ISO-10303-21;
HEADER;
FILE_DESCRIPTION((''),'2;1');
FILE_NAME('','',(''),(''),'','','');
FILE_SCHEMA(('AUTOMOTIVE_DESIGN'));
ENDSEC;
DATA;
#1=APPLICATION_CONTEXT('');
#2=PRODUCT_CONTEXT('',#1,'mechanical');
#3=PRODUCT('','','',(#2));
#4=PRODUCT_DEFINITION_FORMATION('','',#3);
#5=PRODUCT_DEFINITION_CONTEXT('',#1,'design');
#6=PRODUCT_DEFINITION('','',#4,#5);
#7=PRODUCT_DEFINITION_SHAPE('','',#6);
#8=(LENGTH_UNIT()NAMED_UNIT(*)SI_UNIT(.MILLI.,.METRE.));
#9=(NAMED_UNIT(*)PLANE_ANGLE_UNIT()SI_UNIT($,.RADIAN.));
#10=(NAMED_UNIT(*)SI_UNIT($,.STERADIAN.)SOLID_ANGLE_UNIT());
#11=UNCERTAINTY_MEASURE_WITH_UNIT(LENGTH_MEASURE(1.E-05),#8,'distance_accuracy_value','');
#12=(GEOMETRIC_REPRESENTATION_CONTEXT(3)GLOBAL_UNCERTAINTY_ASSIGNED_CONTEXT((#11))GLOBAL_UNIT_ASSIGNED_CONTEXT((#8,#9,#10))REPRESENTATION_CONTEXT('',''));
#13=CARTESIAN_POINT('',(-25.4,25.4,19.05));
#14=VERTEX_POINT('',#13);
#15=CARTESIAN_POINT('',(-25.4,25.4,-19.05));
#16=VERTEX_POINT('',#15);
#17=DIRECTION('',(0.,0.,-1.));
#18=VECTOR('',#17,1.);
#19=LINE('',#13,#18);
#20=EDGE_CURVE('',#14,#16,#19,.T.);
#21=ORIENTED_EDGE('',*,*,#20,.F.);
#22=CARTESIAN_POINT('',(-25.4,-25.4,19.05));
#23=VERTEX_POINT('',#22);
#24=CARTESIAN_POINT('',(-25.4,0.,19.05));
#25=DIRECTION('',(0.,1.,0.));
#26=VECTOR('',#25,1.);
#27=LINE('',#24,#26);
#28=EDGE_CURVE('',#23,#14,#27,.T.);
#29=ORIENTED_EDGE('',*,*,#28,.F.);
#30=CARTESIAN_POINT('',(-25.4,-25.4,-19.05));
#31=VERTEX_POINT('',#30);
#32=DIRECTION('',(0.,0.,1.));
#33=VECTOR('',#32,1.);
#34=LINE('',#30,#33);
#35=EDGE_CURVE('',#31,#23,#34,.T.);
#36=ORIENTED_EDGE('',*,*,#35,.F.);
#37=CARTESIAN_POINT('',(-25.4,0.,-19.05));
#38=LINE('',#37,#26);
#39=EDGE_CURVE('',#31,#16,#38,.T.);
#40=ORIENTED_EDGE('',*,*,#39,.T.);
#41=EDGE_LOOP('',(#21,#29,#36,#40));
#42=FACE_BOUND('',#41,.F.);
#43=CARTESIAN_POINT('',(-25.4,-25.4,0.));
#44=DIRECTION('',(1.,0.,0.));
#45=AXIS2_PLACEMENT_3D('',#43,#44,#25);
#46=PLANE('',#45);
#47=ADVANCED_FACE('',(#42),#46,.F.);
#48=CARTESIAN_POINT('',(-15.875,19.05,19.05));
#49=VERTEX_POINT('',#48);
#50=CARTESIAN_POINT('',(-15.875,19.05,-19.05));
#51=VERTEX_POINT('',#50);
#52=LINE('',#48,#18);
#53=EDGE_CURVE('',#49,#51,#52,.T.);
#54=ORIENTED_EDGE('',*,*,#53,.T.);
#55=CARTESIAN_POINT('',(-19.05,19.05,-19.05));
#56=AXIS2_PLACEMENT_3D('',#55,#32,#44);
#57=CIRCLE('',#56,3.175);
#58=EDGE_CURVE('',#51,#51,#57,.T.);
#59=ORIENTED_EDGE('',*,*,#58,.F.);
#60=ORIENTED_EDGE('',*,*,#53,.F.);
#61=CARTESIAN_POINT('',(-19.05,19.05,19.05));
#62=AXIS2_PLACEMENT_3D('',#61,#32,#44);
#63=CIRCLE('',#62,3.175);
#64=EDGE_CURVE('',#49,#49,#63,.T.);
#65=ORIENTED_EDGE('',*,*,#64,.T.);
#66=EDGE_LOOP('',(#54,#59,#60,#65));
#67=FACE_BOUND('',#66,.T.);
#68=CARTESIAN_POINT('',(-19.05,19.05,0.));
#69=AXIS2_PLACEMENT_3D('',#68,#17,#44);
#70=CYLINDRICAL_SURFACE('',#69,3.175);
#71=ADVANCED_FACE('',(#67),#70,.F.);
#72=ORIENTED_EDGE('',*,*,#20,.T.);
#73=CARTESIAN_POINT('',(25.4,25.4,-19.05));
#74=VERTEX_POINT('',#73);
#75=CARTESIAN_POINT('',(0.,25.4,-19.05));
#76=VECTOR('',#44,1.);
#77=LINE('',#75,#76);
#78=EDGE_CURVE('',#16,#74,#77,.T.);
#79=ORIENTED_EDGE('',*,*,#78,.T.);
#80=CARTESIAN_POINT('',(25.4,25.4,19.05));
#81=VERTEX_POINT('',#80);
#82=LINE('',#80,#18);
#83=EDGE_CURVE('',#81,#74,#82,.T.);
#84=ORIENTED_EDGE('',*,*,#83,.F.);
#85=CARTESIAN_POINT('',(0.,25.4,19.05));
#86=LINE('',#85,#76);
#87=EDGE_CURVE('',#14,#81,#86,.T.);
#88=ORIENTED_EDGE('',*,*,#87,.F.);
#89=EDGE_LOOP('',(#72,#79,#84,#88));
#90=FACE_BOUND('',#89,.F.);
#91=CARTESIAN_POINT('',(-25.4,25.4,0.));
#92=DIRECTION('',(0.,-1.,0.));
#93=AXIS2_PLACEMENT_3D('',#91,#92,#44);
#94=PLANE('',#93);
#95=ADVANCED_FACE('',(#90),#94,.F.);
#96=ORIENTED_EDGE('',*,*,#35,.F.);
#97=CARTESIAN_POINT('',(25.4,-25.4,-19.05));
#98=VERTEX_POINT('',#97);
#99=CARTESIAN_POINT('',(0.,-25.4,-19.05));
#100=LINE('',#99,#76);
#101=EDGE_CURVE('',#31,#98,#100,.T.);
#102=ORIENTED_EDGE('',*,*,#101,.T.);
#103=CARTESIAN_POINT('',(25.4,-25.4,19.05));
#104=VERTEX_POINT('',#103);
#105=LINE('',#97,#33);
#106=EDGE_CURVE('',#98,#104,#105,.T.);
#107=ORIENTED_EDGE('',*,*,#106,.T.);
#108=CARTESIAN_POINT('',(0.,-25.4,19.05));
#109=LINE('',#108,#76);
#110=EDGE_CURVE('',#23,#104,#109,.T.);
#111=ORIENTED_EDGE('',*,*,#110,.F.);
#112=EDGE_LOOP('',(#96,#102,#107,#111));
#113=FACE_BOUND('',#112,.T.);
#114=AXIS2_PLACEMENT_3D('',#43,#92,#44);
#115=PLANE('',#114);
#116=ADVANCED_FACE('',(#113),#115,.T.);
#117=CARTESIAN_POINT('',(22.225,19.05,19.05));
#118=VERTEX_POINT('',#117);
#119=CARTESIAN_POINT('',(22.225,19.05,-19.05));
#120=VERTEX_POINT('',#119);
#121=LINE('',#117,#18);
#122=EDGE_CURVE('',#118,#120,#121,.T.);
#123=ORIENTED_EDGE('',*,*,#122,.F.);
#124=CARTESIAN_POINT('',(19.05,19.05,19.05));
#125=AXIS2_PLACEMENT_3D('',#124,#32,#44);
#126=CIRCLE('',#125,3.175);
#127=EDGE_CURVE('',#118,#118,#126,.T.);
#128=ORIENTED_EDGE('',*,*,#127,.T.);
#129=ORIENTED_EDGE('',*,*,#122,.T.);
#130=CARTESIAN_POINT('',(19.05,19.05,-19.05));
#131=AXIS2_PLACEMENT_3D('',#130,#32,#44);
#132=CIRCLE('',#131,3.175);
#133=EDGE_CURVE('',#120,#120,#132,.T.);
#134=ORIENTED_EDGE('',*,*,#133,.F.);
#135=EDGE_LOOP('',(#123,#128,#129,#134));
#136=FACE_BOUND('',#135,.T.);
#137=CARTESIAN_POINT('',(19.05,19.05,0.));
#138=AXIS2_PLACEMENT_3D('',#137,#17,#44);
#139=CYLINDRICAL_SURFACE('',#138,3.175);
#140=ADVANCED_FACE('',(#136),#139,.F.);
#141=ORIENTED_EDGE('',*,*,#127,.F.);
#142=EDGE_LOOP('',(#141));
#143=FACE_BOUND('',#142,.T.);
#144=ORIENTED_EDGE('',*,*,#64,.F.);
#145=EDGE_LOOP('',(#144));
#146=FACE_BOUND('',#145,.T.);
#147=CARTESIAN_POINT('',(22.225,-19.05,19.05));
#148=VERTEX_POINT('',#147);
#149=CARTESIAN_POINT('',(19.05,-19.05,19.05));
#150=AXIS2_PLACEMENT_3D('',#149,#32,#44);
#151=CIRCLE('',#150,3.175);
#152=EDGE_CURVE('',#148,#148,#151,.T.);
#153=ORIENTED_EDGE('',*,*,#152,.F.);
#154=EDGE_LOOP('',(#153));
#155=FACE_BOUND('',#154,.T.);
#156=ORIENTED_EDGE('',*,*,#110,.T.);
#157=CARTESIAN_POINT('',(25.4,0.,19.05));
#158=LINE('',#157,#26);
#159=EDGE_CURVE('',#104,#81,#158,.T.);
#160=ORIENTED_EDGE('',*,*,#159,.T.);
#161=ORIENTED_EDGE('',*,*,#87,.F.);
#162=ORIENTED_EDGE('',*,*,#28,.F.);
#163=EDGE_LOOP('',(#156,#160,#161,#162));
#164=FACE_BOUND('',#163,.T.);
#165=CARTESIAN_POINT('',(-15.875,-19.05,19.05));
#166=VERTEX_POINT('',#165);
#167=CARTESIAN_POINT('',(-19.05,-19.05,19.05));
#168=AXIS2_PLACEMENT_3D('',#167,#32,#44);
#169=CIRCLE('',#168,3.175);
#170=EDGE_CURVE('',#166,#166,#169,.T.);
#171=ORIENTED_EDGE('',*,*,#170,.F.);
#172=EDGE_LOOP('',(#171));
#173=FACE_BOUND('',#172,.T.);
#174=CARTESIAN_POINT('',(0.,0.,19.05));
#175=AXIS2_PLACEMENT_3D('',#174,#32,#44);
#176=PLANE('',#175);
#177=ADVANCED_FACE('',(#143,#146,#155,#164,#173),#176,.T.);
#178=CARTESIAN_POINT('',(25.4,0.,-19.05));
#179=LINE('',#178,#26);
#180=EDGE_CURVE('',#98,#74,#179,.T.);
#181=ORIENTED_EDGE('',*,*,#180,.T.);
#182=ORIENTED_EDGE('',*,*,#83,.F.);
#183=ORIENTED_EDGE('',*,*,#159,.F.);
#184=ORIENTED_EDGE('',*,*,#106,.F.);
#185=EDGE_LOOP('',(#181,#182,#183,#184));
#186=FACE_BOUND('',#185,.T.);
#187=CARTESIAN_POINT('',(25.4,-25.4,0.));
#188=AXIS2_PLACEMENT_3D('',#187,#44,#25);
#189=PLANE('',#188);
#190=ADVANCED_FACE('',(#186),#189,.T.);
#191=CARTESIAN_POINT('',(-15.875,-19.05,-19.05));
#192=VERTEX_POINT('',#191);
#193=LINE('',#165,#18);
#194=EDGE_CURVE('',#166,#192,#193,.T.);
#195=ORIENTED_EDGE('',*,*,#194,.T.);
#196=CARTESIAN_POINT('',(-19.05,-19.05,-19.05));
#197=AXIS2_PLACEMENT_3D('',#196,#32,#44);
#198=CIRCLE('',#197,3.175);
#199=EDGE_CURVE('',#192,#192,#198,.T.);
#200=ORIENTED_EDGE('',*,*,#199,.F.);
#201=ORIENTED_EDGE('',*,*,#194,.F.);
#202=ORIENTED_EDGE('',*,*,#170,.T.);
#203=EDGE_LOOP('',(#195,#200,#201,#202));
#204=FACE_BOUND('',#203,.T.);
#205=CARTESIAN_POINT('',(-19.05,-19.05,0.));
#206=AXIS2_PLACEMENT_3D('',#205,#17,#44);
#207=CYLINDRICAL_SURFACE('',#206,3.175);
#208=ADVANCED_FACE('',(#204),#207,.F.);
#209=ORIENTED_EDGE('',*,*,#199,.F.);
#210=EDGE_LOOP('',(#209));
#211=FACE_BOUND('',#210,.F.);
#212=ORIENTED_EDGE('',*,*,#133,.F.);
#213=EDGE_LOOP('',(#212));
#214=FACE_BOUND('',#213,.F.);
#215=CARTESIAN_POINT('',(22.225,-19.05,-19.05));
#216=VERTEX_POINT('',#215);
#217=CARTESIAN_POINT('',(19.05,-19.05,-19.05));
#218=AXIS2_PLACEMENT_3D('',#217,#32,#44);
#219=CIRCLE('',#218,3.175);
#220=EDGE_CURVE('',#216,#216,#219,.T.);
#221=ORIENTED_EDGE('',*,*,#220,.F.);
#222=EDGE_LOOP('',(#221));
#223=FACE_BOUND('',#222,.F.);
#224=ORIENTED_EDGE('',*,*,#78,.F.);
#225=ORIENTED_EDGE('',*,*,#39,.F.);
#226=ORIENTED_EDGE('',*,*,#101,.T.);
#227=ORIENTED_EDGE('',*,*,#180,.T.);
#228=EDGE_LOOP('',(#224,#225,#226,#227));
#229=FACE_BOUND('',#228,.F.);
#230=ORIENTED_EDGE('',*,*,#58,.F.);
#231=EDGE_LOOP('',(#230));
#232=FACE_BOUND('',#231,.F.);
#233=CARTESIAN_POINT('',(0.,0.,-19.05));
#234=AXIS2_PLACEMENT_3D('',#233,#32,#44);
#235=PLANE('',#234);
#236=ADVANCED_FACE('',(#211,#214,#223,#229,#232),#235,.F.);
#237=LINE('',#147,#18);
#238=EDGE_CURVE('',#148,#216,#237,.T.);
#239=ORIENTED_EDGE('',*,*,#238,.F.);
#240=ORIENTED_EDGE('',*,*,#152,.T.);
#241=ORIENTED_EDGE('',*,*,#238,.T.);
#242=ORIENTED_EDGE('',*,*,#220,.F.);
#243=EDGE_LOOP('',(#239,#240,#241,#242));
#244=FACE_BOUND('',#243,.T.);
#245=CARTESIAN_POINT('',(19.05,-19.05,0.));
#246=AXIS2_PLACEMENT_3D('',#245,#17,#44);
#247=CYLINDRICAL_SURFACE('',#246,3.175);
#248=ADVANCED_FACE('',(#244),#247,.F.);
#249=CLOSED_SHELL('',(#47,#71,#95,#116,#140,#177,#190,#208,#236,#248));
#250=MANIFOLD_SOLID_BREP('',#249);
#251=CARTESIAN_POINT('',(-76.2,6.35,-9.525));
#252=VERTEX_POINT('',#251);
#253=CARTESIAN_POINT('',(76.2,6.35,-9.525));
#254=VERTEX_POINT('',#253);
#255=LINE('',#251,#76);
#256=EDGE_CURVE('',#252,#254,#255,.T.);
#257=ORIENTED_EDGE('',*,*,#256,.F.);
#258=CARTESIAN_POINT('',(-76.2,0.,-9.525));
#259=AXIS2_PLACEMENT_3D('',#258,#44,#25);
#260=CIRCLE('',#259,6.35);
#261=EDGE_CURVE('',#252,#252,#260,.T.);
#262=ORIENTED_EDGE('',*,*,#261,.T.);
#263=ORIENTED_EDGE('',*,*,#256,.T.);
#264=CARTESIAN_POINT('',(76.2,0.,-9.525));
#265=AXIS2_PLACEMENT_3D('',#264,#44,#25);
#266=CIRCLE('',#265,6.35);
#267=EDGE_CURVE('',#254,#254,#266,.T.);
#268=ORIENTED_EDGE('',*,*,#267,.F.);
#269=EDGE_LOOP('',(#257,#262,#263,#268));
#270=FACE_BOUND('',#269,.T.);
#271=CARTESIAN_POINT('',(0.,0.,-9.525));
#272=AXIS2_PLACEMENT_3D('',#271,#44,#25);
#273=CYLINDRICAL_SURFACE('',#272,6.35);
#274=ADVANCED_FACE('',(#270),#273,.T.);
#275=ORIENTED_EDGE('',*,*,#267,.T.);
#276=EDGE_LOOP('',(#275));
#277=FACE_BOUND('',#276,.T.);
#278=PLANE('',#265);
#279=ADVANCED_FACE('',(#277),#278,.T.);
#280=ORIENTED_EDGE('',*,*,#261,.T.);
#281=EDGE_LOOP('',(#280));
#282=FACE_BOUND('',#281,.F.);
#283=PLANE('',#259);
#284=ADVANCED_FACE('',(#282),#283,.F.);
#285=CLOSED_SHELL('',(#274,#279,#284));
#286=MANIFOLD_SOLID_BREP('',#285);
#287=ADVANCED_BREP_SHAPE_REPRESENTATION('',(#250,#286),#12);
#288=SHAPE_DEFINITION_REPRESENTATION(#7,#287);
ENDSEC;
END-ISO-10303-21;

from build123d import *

# Parameters (mm, degrees)
F0_W     = 50.8
F0_H     = 50.8
F0_R     = 3.175
F1_DEPTH = 19.05
F2_R     = 6.35
F3_DEPTH = 76.2


with BuildPart() as f1:
    # F0 (on Top) → F1 (new body, symmetric)
    with BuildSketch(Plane.XY):
        Rectangle(F0_W, F0_H)
        with Locations((-19.05, -19.05)):
            Circle(F0_R, mode=Mode.SUBTRACT)
        with Locations((19.05, -19.05)):
            Circle(F0_R, mode=Mode.SUBTRACT)
        with Locations((-19.05, 19.05)):
            Circle(F0_R, mode=Mode.SUBTRACT)
        with Locations((19.05, 19.05)):
            Circle(F0_R, mode=Mode.SUBTRACT)
    extrude(amount=F1_DEPTH, both=True)


with BuildPart() as f3:
    # F2 (on Right) → F3 (new body, symmetric)
    with BuildSketch(Plane.YZ):
        with Locations((0, -9.525)):
            Circle(F2_R)
    extrude(amount=F3_DEPTH, both=True)


solid = Compound([f1.part, f3.part])
